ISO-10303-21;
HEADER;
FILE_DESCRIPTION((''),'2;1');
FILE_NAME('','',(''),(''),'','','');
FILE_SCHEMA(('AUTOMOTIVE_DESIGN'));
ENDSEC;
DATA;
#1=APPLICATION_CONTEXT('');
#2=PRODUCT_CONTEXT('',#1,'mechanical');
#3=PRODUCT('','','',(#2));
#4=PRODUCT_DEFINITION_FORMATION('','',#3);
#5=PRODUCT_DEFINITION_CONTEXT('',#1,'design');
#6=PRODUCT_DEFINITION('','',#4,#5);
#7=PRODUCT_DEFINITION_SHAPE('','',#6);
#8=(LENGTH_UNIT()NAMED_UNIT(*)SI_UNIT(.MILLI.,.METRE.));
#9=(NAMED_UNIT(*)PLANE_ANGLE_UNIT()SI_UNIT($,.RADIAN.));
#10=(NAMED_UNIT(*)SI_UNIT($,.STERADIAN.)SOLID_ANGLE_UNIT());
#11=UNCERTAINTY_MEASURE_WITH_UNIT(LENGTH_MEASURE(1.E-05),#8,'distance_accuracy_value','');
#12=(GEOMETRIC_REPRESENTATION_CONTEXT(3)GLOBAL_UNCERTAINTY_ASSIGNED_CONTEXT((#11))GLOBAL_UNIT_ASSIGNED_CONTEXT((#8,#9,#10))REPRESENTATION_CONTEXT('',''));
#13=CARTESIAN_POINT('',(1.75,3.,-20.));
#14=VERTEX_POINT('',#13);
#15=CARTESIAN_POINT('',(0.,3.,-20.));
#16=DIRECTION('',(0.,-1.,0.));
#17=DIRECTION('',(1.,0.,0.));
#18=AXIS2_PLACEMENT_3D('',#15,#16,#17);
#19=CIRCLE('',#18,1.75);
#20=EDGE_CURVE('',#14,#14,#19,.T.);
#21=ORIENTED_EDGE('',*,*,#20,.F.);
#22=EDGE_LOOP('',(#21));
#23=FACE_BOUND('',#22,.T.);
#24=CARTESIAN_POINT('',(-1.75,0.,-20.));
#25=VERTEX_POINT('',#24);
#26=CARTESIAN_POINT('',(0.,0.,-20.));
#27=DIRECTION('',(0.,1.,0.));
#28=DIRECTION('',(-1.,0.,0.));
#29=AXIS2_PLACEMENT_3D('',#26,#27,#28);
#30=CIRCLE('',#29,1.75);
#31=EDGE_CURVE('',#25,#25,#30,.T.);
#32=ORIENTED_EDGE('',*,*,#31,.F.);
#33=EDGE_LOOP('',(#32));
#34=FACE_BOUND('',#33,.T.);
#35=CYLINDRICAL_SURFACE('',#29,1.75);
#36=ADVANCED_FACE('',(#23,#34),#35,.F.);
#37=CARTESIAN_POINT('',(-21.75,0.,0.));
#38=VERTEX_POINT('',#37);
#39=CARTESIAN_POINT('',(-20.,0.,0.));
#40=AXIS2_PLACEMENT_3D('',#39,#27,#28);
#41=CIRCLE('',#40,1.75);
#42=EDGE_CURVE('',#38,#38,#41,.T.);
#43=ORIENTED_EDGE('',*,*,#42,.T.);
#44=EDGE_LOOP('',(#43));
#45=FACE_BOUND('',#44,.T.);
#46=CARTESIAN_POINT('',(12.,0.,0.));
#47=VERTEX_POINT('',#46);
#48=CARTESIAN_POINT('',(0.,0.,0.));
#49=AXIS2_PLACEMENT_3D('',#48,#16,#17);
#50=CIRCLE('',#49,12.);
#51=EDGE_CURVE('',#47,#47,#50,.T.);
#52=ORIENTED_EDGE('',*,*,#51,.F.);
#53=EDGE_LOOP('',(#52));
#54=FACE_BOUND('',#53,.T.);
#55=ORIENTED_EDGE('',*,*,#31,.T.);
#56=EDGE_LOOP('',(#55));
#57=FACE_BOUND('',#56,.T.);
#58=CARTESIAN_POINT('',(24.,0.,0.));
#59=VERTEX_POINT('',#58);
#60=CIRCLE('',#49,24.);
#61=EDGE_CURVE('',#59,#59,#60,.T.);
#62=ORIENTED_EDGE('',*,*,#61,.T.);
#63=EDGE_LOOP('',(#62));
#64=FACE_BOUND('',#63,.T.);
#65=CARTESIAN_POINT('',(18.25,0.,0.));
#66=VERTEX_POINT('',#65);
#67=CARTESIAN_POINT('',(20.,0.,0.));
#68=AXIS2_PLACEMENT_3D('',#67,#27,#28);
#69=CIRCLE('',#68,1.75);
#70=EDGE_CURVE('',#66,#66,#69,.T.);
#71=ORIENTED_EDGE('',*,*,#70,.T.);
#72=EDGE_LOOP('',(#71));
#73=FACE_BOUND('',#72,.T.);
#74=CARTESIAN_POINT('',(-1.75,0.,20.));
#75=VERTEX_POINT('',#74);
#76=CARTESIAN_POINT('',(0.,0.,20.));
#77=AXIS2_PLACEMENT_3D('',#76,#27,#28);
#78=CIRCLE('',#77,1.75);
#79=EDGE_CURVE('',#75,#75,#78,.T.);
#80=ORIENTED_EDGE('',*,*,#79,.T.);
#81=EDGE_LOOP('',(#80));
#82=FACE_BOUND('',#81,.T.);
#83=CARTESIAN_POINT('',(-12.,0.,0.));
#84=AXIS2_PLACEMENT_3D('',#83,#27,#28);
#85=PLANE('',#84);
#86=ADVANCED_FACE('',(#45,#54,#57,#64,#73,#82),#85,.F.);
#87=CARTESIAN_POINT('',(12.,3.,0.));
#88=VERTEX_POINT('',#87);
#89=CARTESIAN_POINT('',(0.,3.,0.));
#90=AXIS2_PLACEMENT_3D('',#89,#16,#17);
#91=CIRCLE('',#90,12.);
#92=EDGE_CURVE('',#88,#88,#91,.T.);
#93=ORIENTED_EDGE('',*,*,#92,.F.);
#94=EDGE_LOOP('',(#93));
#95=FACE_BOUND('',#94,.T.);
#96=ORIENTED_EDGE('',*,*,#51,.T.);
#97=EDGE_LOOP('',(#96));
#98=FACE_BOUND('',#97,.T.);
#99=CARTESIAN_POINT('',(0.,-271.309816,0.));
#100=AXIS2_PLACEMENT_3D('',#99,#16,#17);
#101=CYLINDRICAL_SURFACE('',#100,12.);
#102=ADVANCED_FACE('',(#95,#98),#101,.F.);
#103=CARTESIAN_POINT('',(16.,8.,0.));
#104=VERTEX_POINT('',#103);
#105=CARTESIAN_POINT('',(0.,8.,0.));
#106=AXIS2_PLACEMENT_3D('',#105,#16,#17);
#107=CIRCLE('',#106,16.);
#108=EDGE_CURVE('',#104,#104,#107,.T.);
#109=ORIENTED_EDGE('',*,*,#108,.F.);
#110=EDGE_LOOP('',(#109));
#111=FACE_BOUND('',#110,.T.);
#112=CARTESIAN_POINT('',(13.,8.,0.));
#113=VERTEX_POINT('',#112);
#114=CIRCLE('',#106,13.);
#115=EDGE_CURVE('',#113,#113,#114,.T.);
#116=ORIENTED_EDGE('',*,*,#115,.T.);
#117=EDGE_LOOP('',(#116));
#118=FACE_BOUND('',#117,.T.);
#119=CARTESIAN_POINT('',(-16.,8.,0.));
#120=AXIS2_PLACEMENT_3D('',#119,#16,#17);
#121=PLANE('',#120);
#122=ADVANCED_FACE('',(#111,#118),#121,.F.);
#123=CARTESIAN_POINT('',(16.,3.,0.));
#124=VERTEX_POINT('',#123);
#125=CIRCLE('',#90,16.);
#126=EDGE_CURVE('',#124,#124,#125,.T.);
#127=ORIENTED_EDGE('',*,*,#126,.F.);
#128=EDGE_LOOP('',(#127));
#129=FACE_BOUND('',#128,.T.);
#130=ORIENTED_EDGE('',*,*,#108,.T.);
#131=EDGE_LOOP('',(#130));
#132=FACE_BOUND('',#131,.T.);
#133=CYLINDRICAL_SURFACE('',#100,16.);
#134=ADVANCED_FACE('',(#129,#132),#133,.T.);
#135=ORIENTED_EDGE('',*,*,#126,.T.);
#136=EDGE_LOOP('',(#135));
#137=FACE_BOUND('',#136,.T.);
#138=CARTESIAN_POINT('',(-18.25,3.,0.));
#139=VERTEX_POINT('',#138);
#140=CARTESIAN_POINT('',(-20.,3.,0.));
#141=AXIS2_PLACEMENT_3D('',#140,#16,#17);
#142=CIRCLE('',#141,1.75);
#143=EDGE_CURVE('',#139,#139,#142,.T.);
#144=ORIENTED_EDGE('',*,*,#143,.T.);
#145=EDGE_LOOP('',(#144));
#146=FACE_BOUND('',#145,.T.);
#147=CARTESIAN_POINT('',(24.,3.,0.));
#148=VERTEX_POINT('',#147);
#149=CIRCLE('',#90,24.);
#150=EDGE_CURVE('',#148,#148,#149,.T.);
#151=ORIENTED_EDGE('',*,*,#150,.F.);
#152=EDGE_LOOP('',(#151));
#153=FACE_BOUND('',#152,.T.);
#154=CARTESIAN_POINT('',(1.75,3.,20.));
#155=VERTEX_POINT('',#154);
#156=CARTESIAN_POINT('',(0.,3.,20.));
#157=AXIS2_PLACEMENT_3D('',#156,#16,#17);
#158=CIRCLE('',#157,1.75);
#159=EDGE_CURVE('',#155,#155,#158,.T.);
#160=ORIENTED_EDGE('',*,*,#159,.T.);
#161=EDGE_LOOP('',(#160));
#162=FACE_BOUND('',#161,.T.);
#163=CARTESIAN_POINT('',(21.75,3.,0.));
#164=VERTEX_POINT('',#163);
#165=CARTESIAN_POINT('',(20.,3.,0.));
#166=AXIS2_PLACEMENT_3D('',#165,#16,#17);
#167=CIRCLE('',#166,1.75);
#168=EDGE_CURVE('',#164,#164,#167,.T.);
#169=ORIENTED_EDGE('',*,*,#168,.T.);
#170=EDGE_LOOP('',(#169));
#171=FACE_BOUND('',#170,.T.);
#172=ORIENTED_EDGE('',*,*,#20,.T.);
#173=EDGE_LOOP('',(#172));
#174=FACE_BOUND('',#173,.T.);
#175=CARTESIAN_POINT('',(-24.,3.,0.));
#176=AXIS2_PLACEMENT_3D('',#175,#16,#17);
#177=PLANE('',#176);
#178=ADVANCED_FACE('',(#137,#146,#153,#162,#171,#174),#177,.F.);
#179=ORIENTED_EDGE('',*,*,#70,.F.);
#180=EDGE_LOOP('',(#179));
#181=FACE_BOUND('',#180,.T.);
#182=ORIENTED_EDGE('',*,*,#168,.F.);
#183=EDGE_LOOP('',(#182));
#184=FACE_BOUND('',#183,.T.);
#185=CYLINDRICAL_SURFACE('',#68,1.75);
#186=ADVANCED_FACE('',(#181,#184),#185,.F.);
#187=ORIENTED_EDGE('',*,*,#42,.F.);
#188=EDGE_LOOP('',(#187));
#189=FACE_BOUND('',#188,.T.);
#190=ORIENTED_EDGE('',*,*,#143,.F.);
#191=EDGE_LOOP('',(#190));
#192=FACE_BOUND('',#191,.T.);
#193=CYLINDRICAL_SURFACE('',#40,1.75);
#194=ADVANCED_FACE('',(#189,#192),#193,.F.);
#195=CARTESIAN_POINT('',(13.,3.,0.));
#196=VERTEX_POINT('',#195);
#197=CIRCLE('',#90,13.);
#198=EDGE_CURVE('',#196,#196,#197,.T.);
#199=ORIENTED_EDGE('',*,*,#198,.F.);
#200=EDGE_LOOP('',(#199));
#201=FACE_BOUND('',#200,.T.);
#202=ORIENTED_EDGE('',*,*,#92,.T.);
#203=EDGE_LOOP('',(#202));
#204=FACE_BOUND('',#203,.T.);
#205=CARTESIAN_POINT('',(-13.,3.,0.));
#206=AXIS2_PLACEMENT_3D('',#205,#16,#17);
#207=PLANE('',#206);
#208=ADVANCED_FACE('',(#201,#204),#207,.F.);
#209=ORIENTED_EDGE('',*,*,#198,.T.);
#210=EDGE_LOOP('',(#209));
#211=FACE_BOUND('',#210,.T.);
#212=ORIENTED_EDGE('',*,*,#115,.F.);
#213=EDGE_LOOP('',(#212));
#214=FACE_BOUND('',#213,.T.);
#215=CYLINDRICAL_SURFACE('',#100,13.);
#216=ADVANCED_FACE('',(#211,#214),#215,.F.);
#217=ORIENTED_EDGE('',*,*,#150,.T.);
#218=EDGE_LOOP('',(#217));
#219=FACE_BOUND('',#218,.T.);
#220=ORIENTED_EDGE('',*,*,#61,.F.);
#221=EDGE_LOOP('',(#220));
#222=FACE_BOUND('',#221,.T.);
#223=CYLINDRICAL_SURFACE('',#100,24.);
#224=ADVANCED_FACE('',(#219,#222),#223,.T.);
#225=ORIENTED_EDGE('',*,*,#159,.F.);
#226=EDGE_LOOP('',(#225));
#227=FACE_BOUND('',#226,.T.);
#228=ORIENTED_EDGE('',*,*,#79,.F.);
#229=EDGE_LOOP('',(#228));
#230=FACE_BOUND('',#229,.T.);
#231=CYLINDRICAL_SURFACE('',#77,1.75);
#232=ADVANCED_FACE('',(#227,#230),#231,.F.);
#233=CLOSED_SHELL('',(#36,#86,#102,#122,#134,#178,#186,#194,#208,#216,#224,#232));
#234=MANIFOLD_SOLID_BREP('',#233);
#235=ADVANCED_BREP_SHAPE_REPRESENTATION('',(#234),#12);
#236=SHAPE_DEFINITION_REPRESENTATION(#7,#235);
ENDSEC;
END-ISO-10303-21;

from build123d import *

# Parameters (mm, degrees)
CUT_EXTRUDE_1_DEPTH      = 35.307433597
CUT_EXTRUDE_1_DEPTH_BACK = 35.307433597
SKETCH_2_R               = 1.75


with BuildPart() as part:
    # 草图1 → 旋转1 (revolve)
    with BuildSketch(Plane.XY, mode=Mode.PRIVATE) as revolve_1_sk:
        Polygon((-12, 0), (-24, 0), (-24, 3), (-16, 3), (-16, 8), (-13, 8), (-13, 3), (-12, 3), align=None)
    revolve(revolve_1_sk.sketch.rotate(Axis((0, -271.309816207, 0), (0, 1, 0)), 180), axis=Axis((0, -271.309816207, 0), (0, 1, 0)))

    # 草图2 → 切除-拉伸1 (cut, two sides: drawn at the far end of the back side and taken through both)
    with BuildSketch(Plane(origin=(0, 3, 0), x_dir=(1, 0, 0), z_dir=(0, 1, 0)).offset(-CUT_EXTRUDE_1_DEPTH_BACK)):
        with Locations(Location((0, 20, 0), (0, 0, 180))):
            Circle(SKETCH_2_R)
        with Locations(Location((20, 0, 0), (0, 0, 180))):
            Circle(SKETCH_2_R)
        with Locations(Location((0, -20, 0), (0, 0, 180))):
            Circle(SKETCH_2_R)
        with Locations(Location((-20, 0, 0), (0, 0, 180))):
            Circle(SKETCH_2_R)
    extrude(amount=CUT_EXTRUDE_1_DEPTH + CUT_EXTRUDE_1_DEPTH_BACK, mode=Mode.SUBTRACT)


solid = part.part
